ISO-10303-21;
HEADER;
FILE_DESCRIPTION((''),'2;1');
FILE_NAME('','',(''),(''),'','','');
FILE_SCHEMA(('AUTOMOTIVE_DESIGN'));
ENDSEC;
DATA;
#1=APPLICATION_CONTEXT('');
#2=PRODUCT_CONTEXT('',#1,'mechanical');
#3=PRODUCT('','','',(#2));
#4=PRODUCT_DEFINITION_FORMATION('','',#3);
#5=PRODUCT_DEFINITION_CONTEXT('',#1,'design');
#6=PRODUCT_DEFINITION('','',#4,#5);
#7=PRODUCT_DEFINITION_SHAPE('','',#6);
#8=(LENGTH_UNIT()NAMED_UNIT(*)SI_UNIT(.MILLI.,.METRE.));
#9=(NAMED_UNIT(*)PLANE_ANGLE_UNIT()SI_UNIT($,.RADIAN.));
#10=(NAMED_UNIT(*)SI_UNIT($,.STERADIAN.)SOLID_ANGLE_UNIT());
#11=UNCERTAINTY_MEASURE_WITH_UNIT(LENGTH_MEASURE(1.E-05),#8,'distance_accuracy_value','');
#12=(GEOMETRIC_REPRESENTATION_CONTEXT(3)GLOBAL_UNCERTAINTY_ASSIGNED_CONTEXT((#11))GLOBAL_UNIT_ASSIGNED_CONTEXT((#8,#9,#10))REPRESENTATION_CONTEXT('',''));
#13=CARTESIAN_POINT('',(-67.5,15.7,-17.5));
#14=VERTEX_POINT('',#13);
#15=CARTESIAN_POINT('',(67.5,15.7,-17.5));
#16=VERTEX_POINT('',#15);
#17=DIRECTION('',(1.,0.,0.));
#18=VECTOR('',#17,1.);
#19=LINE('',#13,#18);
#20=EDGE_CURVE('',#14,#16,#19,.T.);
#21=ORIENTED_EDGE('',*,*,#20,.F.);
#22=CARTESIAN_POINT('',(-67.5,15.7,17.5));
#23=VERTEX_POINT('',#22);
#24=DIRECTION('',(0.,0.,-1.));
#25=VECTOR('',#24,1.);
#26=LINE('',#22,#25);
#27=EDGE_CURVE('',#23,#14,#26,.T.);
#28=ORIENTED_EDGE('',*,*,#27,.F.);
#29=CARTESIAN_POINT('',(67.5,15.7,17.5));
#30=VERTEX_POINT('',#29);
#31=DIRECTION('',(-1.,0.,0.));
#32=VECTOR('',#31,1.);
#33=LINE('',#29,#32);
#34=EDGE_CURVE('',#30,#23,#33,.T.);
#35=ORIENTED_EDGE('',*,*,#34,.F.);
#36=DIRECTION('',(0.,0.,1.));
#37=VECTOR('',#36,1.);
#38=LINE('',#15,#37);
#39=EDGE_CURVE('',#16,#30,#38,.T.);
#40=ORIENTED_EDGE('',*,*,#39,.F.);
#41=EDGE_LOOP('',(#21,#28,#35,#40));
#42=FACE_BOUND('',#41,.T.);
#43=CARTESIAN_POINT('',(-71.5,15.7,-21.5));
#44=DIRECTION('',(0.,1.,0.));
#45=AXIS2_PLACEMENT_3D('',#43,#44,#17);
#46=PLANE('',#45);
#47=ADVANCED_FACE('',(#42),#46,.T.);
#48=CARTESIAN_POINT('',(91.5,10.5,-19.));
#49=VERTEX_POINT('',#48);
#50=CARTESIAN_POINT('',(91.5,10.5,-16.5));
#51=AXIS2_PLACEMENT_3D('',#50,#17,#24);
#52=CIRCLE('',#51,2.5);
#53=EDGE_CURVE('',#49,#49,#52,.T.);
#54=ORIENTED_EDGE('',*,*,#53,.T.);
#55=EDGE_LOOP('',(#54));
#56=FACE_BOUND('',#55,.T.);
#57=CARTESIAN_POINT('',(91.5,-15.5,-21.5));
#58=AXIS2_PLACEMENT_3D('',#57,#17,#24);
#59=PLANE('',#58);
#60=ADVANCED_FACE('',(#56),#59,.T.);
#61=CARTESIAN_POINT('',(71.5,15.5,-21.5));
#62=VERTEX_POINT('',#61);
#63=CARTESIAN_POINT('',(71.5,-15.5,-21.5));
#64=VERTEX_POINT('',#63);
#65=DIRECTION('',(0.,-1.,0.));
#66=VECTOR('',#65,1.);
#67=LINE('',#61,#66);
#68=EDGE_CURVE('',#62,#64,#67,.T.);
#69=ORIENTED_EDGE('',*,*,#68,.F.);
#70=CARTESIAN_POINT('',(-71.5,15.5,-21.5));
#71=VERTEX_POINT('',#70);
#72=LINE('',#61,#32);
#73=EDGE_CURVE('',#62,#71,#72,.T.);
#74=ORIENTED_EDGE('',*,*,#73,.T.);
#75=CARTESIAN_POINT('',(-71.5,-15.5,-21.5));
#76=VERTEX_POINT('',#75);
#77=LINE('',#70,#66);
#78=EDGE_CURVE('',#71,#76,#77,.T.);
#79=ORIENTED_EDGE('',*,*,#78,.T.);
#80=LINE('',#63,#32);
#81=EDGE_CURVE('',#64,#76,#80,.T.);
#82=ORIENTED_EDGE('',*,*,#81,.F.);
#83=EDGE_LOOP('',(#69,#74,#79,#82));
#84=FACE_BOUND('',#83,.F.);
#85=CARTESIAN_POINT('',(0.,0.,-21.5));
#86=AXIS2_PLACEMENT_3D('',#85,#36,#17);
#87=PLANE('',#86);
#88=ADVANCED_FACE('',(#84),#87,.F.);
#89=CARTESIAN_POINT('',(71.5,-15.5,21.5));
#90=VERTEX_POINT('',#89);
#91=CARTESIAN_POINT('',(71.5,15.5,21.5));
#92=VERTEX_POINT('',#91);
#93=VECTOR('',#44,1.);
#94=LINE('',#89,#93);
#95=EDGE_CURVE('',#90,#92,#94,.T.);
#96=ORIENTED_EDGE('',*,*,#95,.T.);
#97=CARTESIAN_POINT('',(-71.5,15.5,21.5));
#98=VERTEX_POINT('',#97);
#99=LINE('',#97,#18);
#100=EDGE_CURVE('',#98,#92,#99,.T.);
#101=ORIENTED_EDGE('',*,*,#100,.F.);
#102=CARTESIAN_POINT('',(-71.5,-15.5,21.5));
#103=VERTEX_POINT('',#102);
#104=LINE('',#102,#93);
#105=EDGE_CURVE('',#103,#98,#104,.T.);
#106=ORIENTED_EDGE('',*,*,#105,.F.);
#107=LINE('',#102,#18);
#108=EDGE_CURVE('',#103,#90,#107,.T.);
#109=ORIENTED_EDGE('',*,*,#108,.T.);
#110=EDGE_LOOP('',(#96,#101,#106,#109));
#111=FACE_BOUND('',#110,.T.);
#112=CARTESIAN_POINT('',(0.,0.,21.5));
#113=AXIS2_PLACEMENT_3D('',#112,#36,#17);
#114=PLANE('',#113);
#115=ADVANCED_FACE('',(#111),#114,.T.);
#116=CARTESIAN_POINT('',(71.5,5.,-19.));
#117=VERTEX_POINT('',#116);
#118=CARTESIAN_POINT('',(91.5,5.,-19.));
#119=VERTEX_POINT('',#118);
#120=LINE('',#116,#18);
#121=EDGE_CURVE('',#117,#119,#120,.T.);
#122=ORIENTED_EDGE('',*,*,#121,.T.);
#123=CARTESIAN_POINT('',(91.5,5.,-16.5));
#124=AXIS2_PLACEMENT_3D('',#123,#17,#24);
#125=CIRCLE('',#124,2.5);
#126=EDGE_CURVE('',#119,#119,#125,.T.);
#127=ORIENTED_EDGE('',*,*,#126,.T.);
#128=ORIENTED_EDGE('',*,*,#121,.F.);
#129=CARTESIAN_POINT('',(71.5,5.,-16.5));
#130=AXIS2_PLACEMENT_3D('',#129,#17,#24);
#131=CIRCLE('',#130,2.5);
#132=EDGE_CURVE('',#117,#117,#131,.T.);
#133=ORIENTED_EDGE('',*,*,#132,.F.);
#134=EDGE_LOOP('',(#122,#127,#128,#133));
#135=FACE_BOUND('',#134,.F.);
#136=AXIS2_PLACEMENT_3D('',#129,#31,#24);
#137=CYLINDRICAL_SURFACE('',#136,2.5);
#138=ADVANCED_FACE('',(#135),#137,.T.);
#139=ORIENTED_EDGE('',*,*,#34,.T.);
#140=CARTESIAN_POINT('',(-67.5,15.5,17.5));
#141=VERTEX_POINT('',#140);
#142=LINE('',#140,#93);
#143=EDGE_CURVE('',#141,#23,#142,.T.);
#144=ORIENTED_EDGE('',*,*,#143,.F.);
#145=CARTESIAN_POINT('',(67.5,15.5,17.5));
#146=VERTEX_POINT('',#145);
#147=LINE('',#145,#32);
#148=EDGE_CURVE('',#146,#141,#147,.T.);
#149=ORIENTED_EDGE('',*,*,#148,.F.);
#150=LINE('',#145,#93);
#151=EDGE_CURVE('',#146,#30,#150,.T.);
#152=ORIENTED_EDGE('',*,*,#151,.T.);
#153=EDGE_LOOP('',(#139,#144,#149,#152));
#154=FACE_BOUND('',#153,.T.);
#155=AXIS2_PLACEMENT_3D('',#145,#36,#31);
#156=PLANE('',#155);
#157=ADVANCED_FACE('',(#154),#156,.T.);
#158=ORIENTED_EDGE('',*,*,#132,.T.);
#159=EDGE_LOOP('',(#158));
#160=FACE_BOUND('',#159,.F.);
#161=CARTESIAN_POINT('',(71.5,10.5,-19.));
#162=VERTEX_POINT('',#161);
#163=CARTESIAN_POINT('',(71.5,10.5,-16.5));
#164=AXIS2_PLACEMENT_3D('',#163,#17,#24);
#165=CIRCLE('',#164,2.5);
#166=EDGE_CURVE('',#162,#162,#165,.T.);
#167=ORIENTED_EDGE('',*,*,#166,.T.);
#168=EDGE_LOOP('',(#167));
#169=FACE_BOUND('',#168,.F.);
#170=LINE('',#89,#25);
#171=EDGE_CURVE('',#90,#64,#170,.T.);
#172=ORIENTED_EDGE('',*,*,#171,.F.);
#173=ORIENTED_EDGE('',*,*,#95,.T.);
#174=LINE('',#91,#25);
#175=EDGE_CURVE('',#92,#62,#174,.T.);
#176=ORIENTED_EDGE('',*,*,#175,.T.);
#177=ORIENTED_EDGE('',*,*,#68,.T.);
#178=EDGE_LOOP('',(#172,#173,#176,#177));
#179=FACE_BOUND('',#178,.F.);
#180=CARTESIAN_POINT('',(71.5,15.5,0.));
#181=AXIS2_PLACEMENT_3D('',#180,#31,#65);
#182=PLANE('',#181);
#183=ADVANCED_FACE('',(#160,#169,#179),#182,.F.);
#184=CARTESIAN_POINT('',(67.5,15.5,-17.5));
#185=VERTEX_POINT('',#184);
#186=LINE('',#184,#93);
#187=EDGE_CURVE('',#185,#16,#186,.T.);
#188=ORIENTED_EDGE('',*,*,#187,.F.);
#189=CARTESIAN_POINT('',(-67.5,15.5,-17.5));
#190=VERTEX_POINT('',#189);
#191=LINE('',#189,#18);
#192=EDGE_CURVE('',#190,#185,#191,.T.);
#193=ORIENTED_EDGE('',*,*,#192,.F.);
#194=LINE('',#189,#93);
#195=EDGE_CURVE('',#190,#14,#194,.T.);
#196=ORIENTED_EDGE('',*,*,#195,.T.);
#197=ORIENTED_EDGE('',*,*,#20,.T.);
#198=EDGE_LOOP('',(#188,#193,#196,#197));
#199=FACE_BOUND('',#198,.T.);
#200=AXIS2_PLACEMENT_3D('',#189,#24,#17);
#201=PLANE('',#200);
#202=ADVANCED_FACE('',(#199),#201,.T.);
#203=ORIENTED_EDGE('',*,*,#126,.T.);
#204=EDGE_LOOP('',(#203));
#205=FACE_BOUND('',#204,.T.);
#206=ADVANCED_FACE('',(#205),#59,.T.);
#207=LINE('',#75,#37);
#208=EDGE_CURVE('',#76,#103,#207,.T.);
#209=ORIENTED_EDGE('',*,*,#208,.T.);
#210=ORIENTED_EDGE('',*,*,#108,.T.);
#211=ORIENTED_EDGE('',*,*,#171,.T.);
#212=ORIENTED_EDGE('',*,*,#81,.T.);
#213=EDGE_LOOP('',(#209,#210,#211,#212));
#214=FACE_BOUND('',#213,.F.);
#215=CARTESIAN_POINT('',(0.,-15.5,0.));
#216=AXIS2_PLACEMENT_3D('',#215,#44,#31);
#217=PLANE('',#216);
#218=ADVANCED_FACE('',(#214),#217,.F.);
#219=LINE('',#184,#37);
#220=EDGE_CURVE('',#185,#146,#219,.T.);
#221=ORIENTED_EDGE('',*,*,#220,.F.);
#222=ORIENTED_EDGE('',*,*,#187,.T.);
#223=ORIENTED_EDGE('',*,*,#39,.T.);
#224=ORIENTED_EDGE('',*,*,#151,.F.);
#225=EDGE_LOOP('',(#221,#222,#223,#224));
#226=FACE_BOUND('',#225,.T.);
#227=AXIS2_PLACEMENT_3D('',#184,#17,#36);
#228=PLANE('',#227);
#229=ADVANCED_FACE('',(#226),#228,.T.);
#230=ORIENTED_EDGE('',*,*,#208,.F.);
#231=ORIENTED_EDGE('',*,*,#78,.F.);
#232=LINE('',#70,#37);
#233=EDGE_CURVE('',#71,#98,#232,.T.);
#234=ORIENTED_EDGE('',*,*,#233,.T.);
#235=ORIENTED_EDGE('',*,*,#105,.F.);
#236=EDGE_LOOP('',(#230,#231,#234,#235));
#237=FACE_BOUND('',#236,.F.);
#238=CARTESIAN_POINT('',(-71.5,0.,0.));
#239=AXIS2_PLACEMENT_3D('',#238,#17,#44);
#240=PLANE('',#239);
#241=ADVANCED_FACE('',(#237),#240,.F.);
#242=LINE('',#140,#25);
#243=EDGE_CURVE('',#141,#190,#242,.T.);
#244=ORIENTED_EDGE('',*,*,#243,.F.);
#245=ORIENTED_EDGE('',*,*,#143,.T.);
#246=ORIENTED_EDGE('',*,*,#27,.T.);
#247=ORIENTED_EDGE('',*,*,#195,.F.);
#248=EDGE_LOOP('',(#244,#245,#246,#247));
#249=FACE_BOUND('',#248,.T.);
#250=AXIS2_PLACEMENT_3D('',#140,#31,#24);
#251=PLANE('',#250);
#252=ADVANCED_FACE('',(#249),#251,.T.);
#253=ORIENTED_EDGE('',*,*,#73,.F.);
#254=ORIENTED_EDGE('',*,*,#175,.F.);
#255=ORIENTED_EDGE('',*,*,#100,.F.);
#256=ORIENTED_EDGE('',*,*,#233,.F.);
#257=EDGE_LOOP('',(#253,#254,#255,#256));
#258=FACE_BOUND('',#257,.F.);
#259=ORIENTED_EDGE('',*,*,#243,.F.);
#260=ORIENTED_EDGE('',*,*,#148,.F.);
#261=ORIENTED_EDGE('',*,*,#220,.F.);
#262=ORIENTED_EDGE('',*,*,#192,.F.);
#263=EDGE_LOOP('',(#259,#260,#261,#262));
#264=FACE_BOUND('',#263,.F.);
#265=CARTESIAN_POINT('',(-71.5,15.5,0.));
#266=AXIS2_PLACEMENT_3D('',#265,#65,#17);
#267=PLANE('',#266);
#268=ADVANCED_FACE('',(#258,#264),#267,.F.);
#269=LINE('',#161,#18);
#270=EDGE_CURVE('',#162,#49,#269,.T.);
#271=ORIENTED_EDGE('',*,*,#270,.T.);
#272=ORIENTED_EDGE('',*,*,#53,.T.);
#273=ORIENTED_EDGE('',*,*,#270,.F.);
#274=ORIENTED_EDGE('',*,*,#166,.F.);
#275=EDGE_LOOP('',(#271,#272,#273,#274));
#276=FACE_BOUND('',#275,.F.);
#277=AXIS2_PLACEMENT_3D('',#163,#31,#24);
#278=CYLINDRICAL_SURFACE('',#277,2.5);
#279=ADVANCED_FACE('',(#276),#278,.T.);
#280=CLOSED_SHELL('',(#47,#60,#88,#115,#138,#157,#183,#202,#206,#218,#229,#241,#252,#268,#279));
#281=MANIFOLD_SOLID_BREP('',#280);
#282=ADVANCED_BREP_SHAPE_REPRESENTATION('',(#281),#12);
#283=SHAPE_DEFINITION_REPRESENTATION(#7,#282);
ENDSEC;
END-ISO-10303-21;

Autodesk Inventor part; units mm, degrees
ref_plane "YZ Plane" through (0, 0, 0) normal (1, 0, 0) x (0, 1, 0)
ref_plane "XZ Plane" through (0, 0, 0) normal (0, 1, 0) x (-1, 0, 0)
ref_plane "XY Plane" through (0, 0, 0) normal (0, 0, 1) x (1, 0, 0)
sketch "Skizze1" plane through (0, 0, 0) normal (0, 0, 1) x (1, 0, 0)
  line L0 (-71.5, 15.5) -> (71.5, 15.5)
  line L1 (71.5, 15.5) -> (71.5, -15.5)
  line L2 (71.5, -15.5) -> (-71.5, -15.5)
  line L3 (-71.5, -15.5) -> (-71.5, 15.5)
  line L4 (0, -21.7) -> (0, 21.7) projected
  line L5 (-100.1, 0) -> (100.1, 0) projected
  point P0 (0, 0)
  dimension "d0" = 143
  dimension "d1" = 31
extrude "Extrusion1" add sketch "Skizze1" against normal mid plane 43
sketch "Skizze2" plane through (-71.5, 15.5, -21.5) normal (0, 1, 0) x (1, 0, 0)
  line L0 (4, -4) -> (139, -4)
  line L1 (139, -4) -> (139, -39)
  line L2 (139, -39) -> (4, -39)
  line L3 (4, -39) -> (4, -4)
  line L4 (143, -43) -> (0, -43) projected
  line L5 (0, 0) -> (143, 0) projected
  line L6 (0, 0) -> (0, -43) projected
  line L7 (143, 0) -> (143, -43) projected
  point P0 (71.5, -21.5)
  dimension "d5" = 4
  dimension "d6" = 4
  dimension "d7" = 4
  dimension "d8" = 4
extrude "Extrusion2" add sketch "Skizze2" along normal blind 0.2 contours L0 L1 L2 L3
sketch "Skizze3" plane through (71.5, -15.5, -21.5) normal (1, 0, 0) x (0, 0, -1)
  circle A0 centre (-5, 26) radius 2.5
  line L0 (0, 31) -> (-43, 31) projected
  line L1 (0, 31) -> (0, 0) projected
  circle A1 centre (-5, 20.5) radius 2.5
  point P0 (-21.5, 15.5)
  dimension "d11" = 5
  dimension "d12" = 5
  dimension "d13" = 5
  dimension "d14" = 5
  dimension "d15" = 5
  dimension "d16" = 5.5
extrude "Extrusion3" add sketch "Skizze3" along normal blind 20
properties part number "Akku"
